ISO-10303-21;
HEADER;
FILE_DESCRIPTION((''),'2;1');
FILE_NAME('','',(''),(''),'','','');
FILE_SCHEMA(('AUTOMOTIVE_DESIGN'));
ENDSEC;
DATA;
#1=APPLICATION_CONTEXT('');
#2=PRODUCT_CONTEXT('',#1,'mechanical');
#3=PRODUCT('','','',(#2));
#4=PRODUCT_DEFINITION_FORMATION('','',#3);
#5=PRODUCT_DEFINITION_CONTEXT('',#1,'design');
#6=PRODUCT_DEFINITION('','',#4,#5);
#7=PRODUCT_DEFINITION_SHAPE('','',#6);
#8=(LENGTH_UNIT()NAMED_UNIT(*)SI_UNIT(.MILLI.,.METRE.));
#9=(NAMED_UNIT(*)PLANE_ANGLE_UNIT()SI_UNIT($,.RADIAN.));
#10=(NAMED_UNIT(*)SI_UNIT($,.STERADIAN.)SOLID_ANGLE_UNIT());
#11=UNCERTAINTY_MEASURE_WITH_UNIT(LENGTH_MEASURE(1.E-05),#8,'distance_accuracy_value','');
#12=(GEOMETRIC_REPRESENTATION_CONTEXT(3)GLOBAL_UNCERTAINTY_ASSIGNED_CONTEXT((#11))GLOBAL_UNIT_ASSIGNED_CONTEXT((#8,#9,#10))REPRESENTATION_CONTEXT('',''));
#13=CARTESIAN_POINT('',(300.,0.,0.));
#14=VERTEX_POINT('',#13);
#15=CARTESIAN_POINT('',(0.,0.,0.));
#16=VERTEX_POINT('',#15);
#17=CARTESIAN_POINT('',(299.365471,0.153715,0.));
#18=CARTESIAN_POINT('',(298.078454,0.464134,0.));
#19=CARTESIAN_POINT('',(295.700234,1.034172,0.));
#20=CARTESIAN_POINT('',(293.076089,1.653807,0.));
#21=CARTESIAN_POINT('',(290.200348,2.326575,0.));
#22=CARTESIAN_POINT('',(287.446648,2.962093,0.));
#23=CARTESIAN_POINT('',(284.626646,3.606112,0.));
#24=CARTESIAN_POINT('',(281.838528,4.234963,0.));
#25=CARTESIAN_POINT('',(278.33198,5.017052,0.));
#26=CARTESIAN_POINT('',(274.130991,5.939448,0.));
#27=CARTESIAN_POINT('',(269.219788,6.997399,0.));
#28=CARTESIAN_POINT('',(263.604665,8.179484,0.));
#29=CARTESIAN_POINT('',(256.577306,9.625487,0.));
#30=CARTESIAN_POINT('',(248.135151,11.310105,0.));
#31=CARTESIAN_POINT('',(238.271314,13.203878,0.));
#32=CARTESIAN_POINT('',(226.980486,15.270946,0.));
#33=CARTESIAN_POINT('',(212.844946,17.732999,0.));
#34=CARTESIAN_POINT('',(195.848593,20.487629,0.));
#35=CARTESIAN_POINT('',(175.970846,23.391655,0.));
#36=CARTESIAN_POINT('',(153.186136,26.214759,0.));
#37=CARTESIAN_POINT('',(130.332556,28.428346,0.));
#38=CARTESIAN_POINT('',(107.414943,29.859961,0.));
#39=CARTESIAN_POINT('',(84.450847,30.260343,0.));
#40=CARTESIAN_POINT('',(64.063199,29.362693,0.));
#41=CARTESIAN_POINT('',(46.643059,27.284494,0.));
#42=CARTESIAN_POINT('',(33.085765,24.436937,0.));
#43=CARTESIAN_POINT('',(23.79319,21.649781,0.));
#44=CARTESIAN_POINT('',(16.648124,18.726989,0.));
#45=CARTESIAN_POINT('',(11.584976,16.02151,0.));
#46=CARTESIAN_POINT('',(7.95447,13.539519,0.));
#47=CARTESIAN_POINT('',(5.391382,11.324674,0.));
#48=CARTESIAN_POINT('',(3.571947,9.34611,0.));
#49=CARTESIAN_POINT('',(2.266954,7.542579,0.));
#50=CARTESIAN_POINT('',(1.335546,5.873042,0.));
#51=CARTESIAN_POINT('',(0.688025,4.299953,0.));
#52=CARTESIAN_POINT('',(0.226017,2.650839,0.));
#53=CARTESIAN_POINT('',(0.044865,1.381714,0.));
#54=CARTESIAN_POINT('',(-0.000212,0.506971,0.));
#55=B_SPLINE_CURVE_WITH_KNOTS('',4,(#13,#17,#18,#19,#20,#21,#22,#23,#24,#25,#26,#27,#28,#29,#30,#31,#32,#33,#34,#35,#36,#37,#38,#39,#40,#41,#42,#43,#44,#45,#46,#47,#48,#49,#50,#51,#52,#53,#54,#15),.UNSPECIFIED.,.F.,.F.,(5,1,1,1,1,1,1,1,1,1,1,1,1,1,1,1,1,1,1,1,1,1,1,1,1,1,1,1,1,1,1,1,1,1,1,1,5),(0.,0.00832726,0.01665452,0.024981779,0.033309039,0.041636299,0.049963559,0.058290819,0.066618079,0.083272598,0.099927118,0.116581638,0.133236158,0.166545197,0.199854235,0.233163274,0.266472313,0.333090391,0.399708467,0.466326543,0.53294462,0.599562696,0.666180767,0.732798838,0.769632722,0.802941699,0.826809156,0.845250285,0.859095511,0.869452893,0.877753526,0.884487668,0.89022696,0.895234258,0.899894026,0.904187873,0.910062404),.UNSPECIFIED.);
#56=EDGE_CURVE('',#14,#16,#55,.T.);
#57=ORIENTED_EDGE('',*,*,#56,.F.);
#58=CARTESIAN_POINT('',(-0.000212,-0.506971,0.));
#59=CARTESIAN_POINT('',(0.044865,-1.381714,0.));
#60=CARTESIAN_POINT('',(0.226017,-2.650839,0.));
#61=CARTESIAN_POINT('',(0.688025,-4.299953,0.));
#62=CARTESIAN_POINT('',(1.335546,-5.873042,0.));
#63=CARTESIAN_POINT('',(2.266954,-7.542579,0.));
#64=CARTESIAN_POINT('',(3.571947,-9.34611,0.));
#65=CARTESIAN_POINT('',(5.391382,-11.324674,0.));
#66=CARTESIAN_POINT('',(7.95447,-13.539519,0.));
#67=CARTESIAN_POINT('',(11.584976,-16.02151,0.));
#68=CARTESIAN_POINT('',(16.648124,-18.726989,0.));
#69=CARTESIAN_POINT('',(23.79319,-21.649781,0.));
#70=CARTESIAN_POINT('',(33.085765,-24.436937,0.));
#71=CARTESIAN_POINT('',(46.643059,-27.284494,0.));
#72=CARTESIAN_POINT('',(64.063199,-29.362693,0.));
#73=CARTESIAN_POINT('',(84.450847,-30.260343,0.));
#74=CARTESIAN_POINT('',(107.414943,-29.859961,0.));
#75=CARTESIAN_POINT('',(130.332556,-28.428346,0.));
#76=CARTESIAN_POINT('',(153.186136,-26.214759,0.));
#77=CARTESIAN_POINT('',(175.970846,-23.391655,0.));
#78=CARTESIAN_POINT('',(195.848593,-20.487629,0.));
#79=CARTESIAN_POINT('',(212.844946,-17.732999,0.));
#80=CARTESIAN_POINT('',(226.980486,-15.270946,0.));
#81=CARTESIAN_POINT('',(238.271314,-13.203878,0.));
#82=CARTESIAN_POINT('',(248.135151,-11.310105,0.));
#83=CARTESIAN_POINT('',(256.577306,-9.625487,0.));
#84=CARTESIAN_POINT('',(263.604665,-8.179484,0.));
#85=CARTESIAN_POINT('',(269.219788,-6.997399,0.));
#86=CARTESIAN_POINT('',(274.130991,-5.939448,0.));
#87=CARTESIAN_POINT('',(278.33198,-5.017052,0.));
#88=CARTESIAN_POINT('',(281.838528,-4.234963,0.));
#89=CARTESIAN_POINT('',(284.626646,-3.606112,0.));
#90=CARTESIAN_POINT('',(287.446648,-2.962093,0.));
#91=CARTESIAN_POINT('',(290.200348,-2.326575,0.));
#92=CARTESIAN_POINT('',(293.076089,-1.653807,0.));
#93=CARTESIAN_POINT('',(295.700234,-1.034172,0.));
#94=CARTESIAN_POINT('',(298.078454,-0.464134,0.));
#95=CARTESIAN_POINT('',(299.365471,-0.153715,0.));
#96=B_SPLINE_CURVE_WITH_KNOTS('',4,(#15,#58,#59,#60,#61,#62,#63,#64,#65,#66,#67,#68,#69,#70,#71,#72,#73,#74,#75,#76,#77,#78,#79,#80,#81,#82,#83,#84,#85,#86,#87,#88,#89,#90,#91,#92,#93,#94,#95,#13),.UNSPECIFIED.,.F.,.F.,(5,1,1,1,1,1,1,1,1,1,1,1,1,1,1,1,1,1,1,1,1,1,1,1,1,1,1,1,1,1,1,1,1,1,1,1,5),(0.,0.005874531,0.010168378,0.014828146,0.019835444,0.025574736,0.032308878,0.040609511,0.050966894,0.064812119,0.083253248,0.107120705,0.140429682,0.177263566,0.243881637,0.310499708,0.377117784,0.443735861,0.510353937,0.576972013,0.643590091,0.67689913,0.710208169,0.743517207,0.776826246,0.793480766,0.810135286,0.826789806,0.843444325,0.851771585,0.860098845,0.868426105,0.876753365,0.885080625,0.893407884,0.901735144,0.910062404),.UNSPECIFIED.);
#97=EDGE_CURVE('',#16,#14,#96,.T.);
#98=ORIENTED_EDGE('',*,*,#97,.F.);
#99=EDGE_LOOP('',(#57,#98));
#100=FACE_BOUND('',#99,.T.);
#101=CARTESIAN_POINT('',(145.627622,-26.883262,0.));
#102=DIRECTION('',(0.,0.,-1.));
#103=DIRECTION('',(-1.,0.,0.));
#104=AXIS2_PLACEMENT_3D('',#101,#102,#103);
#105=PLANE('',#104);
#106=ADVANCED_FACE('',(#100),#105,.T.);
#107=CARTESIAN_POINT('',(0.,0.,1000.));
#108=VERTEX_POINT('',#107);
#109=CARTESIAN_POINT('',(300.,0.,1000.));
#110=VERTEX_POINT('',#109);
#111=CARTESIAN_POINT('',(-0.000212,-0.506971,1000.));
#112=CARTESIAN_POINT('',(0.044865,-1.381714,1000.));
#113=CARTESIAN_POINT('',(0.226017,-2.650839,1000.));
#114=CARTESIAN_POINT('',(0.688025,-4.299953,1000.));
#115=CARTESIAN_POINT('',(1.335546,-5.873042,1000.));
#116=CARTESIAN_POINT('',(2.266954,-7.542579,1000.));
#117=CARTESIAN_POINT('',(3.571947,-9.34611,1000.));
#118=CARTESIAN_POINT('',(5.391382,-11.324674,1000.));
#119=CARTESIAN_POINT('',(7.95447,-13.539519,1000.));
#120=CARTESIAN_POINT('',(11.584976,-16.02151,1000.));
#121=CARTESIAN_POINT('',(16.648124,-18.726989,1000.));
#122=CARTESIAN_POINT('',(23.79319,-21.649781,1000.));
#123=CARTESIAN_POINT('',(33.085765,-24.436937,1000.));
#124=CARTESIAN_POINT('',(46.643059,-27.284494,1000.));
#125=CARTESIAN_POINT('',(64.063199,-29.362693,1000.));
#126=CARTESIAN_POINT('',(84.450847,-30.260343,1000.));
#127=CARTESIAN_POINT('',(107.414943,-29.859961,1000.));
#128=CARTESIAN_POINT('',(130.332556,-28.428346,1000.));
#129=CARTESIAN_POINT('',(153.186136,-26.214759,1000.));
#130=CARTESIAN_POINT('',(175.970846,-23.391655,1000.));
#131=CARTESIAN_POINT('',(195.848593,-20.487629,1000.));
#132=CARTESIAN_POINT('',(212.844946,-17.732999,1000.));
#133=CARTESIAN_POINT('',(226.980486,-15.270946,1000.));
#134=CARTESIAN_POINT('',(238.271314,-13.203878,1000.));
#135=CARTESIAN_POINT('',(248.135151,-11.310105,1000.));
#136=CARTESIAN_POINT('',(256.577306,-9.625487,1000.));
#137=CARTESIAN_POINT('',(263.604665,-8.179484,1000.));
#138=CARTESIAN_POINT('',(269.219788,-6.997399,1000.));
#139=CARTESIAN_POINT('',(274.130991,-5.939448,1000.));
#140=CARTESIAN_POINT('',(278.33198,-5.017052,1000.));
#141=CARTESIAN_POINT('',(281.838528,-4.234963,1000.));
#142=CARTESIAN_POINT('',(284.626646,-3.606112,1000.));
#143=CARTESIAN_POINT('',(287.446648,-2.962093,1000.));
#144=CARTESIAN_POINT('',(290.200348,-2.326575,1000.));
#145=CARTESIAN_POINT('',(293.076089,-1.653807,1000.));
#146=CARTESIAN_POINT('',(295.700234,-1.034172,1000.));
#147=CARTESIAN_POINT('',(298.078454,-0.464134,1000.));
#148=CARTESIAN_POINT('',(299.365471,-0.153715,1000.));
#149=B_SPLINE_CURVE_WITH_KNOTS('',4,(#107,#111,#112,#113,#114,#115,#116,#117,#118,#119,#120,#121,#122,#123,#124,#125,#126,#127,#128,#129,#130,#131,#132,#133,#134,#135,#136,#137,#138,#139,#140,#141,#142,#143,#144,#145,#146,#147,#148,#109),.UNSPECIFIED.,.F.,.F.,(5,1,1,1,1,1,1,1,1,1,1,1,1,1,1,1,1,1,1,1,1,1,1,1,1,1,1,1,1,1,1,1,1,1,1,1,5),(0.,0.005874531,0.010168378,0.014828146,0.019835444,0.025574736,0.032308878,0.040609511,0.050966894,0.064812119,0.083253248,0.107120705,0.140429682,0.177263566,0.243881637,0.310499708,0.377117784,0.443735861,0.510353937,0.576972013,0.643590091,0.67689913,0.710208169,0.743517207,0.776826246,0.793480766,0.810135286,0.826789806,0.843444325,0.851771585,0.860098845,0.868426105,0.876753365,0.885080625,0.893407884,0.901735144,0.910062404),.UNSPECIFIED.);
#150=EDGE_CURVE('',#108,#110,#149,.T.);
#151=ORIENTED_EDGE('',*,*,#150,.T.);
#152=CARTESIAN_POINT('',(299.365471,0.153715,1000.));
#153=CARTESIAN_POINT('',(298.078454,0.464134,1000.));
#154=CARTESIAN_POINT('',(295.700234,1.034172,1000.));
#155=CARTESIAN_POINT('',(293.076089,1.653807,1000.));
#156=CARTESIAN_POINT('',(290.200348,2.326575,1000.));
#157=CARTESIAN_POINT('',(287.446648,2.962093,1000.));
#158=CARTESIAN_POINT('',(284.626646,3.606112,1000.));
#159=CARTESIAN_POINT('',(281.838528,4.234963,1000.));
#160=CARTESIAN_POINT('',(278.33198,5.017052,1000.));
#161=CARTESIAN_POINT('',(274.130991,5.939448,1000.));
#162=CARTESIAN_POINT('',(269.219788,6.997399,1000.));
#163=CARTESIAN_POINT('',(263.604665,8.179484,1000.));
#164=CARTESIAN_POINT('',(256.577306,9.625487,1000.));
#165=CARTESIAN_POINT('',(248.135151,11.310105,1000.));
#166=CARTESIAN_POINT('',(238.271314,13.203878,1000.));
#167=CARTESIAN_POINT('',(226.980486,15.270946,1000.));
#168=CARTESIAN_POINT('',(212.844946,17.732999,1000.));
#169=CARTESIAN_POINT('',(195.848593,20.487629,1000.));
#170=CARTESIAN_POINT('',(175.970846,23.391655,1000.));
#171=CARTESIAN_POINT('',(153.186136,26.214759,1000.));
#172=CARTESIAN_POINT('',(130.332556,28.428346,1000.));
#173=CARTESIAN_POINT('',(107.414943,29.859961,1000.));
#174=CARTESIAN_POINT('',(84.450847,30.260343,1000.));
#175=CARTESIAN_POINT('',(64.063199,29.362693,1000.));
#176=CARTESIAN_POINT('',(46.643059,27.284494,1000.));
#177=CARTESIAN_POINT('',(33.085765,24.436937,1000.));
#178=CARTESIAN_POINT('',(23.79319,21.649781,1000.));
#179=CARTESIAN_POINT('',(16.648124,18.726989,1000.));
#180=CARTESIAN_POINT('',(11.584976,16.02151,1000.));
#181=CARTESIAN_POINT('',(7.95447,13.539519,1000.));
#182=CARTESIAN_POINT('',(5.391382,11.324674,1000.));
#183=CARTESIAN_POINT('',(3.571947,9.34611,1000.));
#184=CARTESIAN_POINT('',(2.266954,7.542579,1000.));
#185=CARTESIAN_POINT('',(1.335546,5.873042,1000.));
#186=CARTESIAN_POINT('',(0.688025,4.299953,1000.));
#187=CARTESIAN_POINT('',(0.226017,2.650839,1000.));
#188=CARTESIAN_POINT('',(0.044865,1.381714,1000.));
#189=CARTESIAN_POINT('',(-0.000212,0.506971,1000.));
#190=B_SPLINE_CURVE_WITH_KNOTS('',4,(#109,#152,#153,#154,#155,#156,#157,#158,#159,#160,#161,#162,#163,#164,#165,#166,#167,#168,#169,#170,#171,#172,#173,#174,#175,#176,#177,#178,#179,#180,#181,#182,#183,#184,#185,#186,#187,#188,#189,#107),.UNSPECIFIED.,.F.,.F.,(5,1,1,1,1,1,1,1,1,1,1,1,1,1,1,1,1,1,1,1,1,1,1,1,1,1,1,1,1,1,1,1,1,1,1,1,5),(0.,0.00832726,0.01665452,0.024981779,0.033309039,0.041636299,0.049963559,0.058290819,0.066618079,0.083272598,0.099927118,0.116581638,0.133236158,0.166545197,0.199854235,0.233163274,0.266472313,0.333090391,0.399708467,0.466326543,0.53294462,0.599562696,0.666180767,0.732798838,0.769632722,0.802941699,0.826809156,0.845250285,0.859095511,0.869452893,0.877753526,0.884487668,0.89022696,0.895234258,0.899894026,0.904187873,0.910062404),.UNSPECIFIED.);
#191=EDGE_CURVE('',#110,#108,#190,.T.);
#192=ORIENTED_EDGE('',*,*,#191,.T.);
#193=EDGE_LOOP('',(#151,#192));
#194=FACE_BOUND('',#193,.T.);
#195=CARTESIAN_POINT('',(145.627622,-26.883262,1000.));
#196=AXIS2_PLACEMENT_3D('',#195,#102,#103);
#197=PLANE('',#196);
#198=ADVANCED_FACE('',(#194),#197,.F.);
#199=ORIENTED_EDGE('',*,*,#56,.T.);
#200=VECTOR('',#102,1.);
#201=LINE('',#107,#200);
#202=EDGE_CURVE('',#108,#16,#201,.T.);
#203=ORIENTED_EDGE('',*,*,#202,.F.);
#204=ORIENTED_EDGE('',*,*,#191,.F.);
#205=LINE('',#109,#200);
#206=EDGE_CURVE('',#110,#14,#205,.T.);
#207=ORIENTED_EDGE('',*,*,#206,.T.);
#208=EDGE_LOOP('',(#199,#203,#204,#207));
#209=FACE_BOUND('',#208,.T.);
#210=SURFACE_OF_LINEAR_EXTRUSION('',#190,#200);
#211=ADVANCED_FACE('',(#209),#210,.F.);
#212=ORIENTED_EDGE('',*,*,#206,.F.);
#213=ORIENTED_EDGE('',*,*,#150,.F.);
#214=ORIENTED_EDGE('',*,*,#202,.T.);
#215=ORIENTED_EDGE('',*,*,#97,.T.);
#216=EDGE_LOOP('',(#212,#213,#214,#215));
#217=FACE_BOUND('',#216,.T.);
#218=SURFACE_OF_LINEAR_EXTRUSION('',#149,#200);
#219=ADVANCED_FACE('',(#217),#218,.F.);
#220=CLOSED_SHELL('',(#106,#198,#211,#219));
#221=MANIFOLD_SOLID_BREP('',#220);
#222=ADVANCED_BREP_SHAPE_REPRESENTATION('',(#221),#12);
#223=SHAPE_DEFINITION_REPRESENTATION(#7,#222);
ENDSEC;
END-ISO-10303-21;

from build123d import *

# Parameters (mm, degrees)
EXTRUDE_1_DEPTH = 1000


with BuildPart() as part:
    # 草图2 → 凸台-拉伸1 (new body)
    with BuildSketch(Plane.XY):
        with BuildLine():
            add(Edge.make_bspline(
                [(0, 0), (-0.00021229, 0.506970744), (0.044864754, 1.381714413), (0.226017079, 2.650839475), (0.688025344, 4.299952552), (1.335546305, 5.873041675), (2.26695445, 7.542579189), (3.571946964, 9.346109572), (5.391381815, 11.324673938), (7.954469743, 13.539518757), (11.584975672, 16.021510412), (16.648123966, 18.726988569), (23.793189999, 21.649781435), (33.085765079, 24.436937203), (46.643058908, 27.284493785), (64.063199307, 29.362693495), (84.450847037, 30.260343335), (107.414943041, 29.859960777), (130.332556147, 28.428346139), (153.186136376, 26.214758658), (175.970846287, 23.391654718), (195.848592789, 20.487628812), (212.844945694, 17.732999103), (226.980485609, 15.27094618), (238.271313866, 13.203878393), (248.135151077, 11.310105462), (256.577305747, 9.625486685), (263.604664912, 8.179483676), (269.219788458, 6.997398786), (274.1309907, 5.93944771), (278.331979904, 5.017052178), (281.838528118, 4.234963306), (284.626645762, 3.606112196), (287.446648095, 2.96209323), (290.200347561, 2.326575377), (293.076089097, 1.653806717), (295.700233887, 1.034172197), (298.078453528, 0.464134202), (299.365470759, 0.153714709), (299.999999997, 1e-09)],
                knots=[0, 0, 0, 0, 0, 0.005874531, 0.010168378, 0.014828146, 0.019835444, 0.025574736, 0.032308878, 0.040609511, 0.050966894, 0.064812119, 0.083253248, 0.107120705, 0.140429682, 0.177263566, 0.243881637, 0.310499708, 0.377117784, 0.443735861, 0.510353937, 0.576972013, 0.643590091, 0.67689913, 0.710208169, 0.743517207, 0.776826246, 0.793480766, 0.810135286, 0.826789806, 0.843444325, 0.851771585, 0.860098845, 0.868426105, 0.876753365, 0.885080625, 0.893407884, 0.901735144, 0.910062404, 0.910062404, 0.910062404, 0.910062404, 0.910062404], degree=4))
            add(Edge.make_bspline(
                [(0, 0), (-0.00021229, -0.506970744), (0.044864754, -1.381714413), (0.226017079, -2.650839475), (0.688025344, -4.299952552), (1.335546305, -5.873041675), (2.26695445, -7.542579189), (3.571946964, -9.346109572), (5.391381815, -11.324673938), (7.954469743, -13.539518757), (11.584975672, -16.021510412), (16.648123966, -18.726988569), (23.793189999, -21.649781435), (33.085765079, -24.436937203), (46.643058908, -27.284493785), (64.063199307, -29.362693495), (84.450847037, -30.260343335), (107.414943041, -29.859960777), (130.332556147, -28.428346139), (153.186136376, -26.214758658), (175.970846287, -23.391654718), (195.848592789, -20.487628812), (212.844945694, -17.732999103), (226.980485609, -15.27094618), (238.271313866, -13.203878393), (248.135151077, -11.310105462), (256.577305747, -9.625486685), (263.604664912, -8.179483676), (269.219788458, -6.997398786), (274.1309907, -5.93944771), (278.331979904, -5.017052178), (281.838528118, -4.234963306), (284.626645762, -3.606112196), (287.446648095, -2.96209323), (290.200347561, -2.326575377), (293.076089097, -1.653806717), (295.700233887, -1.034172197), (298.078453528, -0.464134202), (299.365470759, -0.153714709), (299.999999997, 1e-09)],
                knots=[0, 0, 0, 0, 0, 0.005874531, 0.010168378, 0.014828146, 0.019835444, 0.025574736, 0.032308878, 0.040609511, 0.050966894, 0.064812119, 0.083253248, 0.107120705, 0.140429682, 0.177263566, 0.243881637, 0.310499708, 0.377117784, 0.443735861, 0.510353937, 0.576972013, 0.643590091, 0.67689913, 0.710208169, 0.743517207, 0.776826246, 0.793480766, 0.810135286, 0.826789806, 0.843444325, 0.851771585, 0.860098845, 0.868426105, 0.876753365, 0.885080625, 0.893407884, 0.901735144, 0.910062404, 0.910062404, 0.910062404, 0.910062404, 0.910062404], degree=4))
        make_face()
    extrude(amount=EXTRUDE_1_DEPTH)


solid = part.part
